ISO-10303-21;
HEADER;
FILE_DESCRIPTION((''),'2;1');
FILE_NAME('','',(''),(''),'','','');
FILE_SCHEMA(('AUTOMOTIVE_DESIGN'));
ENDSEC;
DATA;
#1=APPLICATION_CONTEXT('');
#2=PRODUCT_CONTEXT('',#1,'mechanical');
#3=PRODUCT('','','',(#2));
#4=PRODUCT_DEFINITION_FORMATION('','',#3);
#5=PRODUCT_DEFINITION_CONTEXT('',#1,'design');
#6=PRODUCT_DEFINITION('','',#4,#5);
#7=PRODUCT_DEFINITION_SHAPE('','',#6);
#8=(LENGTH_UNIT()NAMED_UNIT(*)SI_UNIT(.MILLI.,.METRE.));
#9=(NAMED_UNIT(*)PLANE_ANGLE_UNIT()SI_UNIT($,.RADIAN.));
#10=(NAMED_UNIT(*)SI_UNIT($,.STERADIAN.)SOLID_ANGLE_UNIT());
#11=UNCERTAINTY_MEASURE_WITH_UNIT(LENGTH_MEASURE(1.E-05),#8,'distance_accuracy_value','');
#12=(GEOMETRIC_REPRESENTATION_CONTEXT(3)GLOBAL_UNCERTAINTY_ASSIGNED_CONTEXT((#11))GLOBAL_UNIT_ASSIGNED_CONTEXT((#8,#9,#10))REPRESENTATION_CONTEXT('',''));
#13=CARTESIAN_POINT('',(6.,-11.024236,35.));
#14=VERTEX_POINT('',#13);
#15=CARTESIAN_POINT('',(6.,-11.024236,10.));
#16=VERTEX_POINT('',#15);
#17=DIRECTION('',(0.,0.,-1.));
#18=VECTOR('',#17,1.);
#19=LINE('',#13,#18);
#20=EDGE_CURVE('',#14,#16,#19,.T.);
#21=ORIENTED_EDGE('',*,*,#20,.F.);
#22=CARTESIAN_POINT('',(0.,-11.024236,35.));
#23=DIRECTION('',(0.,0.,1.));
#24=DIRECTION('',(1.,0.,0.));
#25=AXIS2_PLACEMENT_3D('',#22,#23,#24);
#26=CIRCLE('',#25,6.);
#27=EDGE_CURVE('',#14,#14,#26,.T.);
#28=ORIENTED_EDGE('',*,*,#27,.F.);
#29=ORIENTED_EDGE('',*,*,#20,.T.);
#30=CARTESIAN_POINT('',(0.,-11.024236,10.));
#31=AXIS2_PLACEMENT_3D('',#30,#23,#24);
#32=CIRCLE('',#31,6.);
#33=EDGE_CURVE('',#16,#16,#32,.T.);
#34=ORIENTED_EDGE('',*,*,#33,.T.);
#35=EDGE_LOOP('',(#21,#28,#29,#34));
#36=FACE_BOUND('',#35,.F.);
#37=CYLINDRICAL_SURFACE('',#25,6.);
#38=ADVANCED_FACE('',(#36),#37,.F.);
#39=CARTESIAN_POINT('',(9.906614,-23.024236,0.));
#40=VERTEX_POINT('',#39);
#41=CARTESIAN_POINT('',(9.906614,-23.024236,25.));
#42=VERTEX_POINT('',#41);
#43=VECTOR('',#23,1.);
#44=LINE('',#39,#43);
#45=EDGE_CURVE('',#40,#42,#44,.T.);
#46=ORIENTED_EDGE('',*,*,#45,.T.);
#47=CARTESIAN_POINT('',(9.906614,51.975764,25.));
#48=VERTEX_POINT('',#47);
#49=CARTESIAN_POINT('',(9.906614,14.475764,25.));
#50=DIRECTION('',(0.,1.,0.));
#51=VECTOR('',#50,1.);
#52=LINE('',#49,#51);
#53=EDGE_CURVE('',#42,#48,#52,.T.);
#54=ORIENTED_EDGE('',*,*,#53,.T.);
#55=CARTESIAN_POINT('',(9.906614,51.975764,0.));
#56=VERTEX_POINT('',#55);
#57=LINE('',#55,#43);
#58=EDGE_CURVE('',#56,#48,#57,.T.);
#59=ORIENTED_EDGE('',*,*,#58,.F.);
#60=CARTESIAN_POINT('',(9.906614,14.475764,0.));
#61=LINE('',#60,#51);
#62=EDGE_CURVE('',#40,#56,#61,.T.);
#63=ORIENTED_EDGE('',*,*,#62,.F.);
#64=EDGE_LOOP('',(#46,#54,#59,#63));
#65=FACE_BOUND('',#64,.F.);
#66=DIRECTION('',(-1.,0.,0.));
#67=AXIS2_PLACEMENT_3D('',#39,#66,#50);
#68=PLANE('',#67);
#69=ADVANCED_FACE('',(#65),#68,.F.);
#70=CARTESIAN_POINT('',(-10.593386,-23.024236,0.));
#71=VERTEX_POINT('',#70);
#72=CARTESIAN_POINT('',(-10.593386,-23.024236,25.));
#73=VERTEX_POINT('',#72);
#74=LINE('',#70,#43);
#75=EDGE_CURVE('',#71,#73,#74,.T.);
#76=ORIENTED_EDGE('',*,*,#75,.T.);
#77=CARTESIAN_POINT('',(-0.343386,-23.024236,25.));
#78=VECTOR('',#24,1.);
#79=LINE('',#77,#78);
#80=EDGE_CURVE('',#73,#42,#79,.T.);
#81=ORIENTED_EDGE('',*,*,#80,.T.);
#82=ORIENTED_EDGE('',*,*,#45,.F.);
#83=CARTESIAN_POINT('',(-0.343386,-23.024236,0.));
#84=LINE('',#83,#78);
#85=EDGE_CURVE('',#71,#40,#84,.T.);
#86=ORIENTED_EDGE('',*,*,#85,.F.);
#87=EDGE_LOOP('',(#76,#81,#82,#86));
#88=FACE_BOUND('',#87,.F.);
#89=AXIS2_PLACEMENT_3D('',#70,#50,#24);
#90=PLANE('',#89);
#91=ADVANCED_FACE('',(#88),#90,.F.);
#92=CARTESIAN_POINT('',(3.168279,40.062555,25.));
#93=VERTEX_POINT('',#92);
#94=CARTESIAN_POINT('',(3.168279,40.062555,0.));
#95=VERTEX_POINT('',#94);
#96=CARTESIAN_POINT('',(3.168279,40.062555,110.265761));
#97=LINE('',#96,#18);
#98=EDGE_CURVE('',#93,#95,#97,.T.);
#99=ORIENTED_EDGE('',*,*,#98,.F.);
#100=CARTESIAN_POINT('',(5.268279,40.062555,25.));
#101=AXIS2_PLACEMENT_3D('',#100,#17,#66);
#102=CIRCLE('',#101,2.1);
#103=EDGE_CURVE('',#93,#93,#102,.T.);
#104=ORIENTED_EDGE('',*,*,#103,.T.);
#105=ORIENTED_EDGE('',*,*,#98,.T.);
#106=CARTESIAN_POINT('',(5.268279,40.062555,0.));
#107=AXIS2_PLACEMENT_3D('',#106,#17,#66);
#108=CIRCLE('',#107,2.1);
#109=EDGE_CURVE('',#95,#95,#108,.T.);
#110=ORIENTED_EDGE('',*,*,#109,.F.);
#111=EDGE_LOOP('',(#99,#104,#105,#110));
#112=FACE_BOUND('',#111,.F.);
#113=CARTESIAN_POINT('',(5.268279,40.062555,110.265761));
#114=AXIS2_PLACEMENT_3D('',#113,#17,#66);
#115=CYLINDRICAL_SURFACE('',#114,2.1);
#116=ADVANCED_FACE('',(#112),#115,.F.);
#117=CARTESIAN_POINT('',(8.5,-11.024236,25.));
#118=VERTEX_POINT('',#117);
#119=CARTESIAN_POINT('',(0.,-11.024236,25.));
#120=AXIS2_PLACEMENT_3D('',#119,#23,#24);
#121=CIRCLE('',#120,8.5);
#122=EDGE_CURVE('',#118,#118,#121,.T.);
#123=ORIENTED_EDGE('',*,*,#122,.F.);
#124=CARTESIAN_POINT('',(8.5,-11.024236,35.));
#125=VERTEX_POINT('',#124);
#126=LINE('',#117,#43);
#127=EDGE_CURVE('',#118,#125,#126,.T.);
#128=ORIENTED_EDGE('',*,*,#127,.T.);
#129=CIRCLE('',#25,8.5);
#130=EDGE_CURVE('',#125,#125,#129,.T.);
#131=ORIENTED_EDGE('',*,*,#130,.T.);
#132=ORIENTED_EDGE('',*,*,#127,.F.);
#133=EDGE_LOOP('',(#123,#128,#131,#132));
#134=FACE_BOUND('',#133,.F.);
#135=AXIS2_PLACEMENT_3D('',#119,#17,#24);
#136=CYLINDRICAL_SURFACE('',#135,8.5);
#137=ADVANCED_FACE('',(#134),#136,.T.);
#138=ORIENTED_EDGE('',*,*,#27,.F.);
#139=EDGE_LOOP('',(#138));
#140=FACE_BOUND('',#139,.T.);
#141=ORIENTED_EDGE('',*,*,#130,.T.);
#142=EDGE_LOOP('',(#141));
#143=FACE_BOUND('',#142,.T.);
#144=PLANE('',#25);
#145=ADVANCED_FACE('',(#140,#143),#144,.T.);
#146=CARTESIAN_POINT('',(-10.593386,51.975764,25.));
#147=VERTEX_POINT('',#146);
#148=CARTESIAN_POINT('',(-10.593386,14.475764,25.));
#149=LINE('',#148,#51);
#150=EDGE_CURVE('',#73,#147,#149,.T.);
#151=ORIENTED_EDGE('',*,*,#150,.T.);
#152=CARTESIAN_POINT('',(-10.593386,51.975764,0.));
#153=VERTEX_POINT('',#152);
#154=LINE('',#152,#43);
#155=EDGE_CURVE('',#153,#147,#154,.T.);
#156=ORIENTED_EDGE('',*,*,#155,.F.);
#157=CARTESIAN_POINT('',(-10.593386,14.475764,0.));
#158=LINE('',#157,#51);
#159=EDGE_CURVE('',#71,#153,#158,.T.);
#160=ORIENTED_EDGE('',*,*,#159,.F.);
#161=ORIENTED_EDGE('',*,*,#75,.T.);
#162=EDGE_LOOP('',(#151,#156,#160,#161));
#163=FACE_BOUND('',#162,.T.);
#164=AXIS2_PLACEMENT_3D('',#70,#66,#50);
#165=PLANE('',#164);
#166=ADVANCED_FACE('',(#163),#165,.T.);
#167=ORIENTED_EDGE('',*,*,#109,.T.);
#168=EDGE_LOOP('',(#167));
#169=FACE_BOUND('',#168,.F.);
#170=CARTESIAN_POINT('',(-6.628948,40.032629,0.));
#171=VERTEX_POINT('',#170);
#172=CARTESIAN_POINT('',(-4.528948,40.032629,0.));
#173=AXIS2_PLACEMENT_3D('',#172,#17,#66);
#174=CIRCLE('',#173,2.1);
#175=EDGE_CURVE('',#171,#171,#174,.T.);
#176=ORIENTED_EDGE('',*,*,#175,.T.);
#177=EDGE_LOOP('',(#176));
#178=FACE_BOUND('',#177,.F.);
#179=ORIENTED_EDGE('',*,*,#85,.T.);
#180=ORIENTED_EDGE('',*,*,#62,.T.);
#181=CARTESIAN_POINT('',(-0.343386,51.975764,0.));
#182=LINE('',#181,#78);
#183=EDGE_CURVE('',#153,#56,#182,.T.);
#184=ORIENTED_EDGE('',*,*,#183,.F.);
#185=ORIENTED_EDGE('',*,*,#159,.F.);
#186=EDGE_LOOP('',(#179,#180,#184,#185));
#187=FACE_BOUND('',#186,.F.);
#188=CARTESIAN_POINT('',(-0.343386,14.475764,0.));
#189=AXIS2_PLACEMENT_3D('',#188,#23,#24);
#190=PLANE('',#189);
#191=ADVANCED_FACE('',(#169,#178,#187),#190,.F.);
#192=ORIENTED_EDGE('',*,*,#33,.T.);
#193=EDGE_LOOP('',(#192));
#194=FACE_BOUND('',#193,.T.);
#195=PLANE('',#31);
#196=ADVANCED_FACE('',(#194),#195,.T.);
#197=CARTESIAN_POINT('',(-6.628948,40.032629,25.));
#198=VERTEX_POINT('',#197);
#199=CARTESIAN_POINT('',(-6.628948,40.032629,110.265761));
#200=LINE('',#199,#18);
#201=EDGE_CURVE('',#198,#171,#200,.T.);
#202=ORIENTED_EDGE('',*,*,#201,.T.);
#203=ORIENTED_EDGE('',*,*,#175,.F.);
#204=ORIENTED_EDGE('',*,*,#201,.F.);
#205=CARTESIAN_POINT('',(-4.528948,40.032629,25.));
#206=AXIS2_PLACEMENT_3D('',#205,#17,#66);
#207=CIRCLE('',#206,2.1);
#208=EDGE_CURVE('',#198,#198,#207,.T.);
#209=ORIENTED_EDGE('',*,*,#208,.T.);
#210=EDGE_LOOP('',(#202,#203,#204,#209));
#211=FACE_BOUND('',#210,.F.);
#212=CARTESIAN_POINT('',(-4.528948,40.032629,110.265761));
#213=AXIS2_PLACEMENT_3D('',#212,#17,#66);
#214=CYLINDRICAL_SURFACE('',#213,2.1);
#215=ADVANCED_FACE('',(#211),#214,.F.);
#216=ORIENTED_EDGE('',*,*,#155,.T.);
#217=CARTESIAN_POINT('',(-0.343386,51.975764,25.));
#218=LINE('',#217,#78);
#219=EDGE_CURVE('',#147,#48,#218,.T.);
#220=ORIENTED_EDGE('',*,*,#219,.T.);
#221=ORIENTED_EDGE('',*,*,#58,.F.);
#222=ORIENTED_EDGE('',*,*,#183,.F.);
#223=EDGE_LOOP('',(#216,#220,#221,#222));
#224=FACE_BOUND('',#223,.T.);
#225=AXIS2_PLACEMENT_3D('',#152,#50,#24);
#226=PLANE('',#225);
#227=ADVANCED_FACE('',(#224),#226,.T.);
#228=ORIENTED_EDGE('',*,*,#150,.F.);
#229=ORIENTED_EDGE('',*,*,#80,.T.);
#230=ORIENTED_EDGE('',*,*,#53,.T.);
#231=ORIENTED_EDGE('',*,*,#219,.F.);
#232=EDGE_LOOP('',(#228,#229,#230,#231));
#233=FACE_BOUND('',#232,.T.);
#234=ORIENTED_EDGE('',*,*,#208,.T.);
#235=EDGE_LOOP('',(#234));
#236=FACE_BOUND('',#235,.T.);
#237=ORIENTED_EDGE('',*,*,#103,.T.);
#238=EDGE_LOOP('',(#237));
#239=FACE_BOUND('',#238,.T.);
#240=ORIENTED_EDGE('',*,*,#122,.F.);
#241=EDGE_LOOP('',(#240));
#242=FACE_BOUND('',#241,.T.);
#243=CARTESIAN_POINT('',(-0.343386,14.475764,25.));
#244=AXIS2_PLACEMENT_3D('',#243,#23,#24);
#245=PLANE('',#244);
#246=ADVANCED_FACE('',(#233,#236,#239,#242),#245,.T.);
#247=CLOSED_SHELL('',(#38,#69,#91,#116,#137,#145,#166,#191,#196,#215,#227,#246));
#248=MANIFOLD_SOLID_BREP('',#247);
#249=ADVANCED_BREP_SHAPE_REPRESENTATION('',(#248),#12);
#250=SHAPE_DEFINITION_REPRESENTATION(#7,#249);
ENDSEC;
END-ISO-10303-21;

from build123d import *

# Parameters (mm, degrees)
F0_W     = 20.5
F0_H     = 75
F1_DEPTH = 25
F2_R     = 8.5
F3_DEPTH = 10
F5_D     = 4.2
F6_R     = 6
F7_DEPTH = 25


with BuildPart() as f1:
    # F0 (on Top) → F1 (new body)
    with BuildSketch(Plane.XY):
        with Locations((-0.3433860838, 14.475764136)):
            Rectangle(F0_W, F0_H)
    extrude(amount=F1_DEPTH)

    # F2 (on face) → F3 (join)
    with BuildSketch(Plane.XY.offset(25)):
        with Locations((0, -11.024235864)):
            Circle(F2_R)
    extrude(amount=F3_DEPTH)

    # F5 (through all)
    with Locations(Plane.XY.offset(25)):
        with Locations((-4.5289483146, 40.0326289237), (5.268279344, 40.0625547821)):
            Hole(F5_D / 2)

    # F6 (on face) → F7 (cut)
    with BuildSketch(Plane.XY.offset(35)):
        with Locations((0, -11.024235864)):
            Circle(F6_R)
    extrude(amount=-F7_DEPTH, mode=Mode.SUBTRACT)


solid = f1.part
